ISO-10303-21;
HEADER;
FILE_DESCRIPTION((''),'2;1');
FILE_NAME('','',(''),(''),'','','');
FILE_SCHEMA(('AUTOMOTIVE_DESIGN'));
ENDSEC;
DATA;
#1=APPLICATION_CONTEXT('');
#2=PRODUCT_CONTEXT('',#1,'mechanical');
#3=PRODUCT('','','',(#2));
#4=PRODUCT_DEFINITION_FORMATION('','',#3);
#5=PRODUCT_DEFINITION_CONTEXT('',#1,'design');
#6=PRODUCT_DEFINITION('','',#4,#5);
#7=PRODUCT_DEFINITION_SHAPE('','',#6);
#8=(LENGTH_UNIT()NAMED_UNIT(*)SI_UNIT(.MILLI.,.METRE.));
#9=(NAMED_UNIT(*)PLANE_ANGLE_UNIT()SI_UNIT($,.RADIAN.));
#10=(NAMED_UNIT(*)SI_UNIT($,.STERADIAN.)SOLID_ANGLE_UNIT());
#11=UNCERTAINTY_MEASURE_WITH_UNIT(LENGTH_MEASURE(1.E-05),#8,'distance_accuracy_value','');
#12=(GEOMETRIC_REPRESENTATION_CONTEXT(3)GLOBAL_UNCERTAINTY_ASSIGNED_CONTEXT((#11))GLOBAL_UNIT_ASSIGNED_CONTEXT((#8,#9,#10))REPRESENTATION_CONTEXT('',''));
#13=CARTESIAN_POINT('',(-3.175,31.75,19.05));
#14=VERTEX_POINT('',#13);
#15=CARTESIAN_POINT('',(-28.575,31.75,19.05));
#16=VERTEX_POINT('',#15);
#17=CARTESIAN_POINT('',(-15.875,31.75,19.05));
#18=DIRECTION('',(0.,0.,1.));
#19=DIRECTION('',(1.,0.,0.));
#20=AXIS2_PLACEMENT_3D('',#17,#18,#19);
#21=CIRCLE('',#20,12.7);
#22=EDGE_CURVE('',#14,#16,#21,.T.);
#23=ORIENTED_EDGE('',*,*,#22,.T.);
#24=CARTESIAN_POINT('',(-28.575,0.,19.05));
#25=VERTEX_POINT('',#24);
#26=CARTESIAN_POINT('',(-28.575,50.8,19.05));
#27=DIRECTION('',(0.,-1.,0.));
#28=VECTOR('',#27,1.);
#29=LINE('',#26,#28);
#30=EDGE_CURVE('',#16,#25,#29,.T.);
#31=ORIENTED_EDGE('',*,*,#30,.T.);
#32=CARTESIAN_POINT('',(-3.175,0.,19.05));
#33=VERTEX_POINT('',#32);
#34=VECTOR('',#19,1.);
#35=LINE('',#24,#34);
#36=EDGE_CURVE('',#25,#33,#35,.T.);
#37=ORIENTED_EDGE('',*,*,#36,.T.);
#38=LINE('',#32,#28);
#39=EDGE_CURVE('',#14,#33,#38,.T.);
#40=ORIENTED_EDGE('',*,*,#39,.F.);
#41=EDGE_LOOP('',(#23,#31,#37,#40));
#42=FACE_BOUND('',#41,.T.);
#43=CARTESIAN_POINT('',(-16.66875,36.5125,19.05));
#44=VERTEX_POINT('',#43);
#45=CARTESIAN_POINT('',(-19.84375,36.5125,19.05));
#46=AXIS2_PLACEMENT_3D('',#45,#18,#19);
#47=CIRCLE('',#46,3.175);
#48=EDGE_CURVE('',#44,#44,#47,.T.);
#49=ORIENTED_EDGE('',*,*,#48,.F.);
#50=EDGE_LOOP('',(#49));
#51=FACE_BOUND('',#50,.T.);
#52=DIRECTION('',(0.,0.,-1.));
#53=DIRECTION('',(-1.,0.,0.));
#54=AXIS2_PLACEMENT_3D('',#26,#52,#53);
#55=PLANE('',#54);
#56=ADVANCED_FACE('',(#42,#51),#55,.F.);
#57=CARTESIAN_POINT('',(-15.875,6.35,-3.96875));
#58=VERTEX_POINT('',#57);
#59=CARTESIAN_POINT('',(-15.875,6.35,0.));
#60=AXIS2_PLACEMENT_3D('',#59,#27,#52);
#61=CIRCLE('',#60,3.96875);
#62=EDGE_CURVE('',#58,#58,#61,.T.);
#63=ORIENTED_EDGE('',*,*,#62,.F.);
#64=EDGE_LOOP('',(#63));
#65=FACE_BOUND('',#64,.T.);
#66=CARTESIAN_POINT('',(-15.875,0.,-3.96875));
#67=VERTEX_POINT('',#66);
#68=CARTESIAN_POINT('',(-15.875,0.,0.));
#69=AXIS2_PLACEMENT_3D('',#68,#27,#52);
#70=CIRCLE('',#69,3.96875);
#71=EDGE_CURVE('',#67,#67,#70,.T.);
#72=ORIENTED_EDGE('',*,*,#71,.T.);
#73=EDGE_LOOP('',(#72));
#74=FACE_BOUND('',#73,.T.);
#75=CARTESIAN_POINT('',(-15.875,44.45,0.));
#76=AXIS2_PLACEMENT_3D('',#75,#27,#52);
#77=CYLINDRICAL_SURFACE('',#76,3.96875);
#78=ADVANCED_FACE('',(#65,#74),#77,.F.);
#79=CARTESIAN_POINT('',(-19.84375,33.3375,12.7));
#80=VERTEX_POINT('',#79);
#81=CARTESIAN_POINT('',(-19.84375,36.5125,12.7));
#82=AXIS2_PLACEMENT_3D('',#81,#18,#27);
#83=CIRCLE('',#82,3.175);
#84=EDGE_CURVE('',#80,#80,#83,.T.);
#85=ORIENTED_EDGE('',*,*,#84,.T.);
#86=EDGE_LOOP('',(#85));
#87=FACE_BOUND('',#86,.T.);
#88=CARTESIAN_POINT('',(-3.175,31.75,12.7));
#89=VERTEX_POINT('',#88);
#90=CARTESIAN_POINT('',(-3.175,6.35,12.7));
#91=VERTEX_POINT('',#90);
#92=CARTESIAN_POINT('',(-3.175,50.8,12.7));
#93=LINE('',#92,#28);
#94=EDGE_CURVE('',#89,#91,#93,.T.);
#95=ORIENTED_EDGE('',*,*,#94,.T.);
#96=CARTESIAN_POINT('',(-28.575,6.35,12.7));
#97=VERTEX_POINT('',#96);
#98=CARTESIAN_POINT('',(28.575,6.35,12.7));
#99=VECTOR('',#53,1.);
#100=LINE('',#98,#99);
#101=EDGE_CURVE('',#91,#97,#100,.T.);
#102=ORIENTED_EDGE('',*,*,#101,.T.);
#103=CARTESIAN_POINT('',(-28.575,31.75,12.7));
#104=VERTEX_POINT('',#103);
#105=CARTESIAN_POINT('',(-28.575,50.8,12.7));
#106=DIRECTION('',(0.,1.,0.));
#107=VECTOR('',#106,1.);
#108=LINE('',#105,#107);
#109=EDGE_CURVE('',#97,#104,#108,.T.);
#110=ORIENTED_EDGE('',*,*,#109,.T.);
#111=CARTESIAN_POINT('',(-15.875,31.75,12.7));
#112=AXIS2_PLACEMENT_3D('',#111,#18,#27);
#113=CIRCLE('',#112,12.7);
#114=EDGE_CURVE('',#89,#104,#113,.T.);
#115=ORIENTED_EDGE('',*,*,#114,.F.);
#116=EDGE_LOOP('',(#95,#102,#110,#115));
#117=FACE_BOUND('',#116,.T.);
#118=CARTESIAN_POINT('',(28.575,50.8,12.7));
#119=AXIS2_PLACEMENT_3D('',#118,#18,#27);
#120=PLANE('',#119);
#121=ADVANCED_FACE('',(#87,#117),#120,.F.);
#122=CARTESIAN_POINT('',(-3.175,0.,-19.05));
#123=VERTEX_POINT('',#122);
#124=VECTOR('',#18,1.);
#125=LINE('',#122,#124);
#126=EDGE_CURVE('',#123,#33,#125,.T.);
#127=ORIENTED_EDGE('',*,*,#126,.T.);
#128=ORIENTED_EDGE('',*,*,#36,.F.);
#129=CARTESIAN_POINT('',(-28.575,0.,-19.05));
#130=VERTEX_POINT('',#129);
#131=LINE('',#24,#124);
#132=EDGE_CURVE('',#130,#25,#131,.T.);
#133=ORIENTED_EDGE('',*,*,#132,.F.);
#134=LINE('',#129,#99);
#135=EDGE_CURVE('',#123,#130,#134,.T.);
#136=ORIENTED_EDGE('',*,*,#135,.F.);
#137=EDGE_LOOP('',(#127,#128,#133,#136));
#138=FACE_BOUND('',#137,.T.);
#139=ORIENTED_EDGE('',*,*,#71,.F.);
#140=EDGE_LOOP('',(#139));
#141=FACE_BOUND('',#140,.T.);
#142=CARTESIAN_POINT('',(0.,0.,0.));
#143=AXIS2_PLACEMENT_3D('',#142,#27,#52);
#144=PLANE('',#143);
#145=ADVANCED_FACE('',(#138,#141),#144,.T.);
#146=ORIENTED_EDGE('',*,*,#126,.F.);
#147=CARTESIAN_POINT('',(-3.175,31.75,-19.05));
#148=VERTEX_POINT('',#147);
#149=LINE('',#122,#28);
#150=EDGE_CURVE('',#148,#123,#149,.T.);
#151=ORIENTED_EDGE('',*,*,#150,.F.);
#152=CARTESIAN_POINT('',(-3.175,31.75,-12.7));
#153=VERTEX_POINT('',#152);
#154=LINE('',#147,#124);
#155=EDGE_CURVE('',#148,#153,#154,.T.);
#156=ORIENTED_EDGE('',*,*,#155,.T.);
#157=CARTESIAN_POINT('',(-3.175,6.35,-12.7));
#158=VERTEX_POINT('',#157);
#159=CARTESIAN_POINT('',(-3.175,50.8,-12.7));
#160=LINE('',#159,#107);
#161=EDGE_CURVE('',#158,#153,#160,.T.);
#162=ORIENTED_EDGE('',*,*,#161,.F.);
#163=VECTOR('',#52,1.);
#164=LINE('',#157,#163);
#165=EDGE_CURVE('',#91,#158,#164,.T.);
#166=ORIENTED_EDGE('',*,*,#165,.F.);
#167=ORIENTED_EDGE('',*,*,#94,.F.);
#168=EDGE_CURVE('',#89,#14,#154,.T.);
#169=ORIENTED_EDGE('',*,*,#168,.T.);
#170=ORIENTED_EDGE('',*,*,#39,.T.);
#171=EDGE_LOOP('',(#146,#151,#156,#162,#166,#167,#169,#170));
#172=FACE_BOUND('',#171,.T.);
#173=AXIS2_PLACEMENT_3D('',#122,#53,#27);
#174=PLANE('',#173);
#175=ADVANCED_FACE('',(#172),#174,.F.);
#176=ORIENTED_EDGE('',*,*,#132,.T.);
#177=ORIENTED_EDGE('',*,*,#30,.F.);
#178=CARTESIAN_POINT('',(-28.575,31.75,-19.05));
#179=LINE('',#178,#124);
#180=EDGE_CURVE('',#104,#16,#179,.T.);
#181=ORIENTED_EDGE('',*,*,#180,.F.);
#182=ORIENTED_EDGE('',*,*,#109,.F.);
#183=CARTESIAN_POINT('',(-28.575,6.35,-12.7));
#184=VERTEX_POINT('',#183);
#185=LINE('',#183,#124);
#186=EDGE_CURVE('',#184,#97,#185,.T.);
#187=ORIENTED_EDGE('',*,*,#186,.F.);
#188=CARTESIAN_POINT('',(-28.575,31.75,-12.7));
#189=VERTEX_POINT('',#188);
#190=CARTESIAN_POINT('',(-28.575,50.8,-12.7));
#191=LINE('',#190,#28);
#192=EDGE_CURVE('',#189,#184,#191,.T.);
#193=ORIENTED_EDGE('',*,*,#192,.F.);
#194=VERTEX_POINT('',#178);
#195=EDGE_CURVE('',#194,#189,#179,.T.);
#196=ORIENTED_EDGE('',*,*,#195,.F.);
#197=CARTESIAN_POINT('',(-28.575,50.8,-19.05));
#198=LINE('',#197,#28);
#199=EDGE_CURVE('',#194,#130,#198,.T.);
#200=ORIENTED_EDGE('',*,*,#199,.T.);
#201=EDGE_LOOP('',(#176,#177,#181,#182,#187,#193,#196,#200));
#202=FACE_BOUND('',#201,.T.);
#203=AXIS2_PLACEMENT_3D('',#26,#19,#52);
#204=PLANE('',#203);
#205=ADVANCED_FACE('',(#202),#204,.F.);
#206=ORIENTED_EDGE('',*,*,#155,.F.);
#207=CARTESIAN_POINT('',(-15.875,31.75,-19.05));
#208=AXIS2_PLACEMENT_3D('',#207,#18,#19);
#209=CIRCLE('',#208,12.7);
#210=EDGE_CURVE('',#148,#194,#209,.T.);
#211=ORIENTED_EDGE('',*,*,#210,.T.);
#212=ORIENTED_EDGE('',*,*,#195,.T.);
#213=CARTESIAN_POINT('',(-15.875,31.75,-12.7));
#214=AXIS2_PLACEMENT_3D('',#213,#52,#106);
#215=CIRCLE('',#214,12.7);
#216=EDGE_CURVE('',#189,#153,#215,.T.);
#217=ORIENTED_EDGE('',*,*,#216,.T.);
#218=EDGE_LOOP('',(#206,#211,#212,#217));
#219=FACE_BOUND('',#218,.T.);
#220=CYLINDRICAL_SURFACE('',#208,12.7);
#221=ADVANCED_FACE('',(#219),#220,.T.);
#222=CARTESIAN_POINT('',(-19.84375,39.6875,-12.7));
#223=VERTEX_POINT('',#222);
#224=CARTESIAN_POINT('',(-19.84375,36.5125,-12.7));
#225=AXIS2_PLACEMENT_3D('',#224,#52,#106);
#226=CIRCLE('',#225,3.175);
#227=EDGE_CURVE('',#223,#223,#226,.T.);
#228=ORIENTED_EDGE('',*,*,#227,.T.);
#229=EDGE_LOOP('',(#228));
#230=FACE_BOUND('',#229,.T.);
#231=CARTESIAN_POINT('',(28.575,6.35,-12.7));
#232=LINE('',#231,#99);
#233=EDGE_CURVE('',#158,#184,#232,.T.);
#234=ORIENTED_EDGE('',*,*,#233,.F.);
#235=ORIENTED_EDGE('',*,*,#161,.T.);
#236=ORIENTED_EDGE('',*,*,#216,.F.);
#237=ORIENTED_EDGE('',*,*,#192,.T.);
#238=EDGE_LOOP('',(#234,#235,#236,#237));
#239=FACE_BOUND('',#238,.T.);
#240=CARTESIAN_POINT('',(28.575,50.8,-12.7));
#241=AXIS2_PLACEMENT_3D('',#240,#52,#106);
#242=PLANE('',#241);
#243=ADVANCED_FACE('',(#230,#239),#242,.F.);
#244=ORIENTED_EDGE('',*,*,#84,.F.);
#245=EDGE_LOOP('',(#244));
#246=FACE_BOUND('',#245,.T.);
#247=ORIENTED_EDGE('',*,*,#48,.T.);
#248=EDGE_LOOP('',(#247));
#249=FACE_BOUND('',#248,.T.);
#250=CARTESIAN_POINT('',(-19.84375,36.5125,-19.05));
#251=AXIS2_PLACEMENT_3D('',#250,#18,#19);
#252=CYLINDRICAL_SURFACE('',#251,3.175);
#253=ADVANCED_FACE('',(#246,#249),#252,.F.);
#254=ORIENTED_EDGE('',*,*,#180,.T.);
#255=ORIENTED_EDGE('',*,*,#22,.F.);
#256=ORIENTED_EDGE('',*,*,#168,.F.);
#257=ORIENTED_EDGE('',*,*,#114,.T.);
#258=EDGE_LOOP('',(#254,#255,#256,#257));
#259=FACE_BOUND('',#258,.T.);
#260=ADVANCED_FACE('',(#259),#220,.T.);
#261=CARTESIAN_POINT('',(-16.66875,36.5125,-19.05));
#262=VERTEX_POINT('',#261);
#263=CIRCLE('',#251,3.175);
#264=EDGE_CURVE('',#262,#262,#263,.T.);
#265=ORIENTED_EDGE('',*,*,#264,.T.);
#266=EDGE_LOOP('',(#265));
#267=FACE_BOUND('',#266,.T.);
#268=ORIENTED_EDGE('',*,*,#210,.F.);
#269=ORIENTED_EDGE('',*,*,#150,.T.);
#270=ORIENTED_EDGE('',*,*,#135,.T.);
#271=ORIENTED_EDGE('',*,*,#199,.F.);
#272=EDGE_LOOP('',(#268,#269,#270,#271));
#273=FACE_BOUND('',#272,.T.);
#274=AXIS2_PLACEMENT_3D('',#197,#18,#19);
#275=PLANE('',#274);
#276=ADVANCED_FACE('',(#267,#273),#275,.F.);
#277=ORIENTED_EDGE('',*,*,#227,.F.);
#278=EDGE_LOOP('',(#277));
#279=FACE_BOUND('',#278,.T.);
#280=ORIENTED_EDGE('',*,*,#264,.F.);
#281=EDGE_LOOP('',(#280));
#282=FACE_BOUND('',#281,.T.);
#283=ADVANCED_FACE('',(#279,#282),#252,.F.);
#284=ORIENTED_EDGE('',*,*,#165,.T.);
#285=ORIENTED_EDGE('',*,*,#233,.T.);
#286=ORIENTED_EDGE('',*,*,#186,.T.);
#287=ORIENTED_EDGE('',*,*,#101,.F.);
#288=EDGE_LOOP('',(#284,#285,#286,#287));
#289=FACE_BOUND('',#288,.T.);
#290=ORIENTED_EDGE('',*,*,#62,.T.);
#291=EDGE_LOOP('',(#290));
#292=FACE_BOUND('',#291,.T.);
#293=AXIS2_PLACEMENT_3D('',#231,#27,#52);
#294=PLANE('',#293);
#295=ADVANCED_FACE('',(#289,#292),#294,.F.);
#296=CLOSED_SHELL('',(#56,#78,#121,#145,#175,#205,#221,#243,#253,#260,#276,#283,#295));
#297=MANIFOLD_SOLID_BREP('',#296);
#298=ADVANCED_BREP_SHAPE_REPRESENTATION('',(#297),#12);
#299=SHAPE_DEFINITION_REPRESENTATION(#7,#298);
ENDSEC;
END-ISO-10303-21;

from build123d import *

# Parameters (mm, degrees)
SKETCH1_W           = 57.15
SKETCH1_H           = 38.1
BOSS_EXTRUDE1_DEPTH = 50.8
SKETCH4_W           = 25.4
SKETCH4_H           = 44.45
CUT_EXTRUDE2_DEPTH  = 79.801427652
SKETCH2_R           = 3.175
CUT_EXTRUDE1_DEPTH  = 70.633186233
SKETCH5_R           = 3.96875
CUT_EXTRUDE3_DEPTH  = 57.171484091


with BuildPart() as part:
    # Sketch1 → Boss-Extrude1 (new body)
    with BuildSketch(Plane(origin=(0, 0, 0), x_dir=(1, 0, 0), z_dir=(0, 1, 0))):
        Rectangle(SKETCH1_W, SKETCH1_H)
    extrude(amount=BOSS_EXTRUDE1_DEPTH)

    # Sketch4 → Cut-Extrude2 (cut, through all)
    with BuildSketch(Plane.ZY.offset(28.575)):
        with Locations((0, 28.575)):
            Rectangle(SKETCH4_W, SKETCH4_H)
    extrude(amount=-CUT_EXTRUDE2_DEPTH, mode=Mode.SUBTRACT)

    # Sketch2 → Cut-Extrude1 (cut, through all)
    with BuildSketch(Plane.XY.offset(19.05)):
        with BuildLine():
            Line((-3.175, 0), (28.575, 0))
            Line((28.575, 0), (28.575, 50.8))
            Line((28.575, 50.8), (-28.575, 50.8))
            Line((-28.575, 50.8), (-28.575, 31.75))
            ThreePointArc((-28.575, 31.75), (-15.875, 44.45), (-3.175, 31.75))
            Line((-3.175, 31.75), (-3.175, 0))
        make_face()
        with Locations((-19.84375, 36.5125)):
            Circle(SKETCH2_R)
    extrude(amount=-CUT_EXTRUDE1_DEPTH, mode=Mode.SUBTRACT)

    # Sketch5 → Cut-Extrude3 (cut, through all)
    with BuildSketch(Plane.XZ):
        with Locations(Location((-15.875, 0, 0), (0, 0, 270))):
            Circle(SKETCH5_R)
    extrude(amount=-CUT_EXTRUDE3_DEPTH, mode=Mode.SUBTRACT)


solid = part.part
